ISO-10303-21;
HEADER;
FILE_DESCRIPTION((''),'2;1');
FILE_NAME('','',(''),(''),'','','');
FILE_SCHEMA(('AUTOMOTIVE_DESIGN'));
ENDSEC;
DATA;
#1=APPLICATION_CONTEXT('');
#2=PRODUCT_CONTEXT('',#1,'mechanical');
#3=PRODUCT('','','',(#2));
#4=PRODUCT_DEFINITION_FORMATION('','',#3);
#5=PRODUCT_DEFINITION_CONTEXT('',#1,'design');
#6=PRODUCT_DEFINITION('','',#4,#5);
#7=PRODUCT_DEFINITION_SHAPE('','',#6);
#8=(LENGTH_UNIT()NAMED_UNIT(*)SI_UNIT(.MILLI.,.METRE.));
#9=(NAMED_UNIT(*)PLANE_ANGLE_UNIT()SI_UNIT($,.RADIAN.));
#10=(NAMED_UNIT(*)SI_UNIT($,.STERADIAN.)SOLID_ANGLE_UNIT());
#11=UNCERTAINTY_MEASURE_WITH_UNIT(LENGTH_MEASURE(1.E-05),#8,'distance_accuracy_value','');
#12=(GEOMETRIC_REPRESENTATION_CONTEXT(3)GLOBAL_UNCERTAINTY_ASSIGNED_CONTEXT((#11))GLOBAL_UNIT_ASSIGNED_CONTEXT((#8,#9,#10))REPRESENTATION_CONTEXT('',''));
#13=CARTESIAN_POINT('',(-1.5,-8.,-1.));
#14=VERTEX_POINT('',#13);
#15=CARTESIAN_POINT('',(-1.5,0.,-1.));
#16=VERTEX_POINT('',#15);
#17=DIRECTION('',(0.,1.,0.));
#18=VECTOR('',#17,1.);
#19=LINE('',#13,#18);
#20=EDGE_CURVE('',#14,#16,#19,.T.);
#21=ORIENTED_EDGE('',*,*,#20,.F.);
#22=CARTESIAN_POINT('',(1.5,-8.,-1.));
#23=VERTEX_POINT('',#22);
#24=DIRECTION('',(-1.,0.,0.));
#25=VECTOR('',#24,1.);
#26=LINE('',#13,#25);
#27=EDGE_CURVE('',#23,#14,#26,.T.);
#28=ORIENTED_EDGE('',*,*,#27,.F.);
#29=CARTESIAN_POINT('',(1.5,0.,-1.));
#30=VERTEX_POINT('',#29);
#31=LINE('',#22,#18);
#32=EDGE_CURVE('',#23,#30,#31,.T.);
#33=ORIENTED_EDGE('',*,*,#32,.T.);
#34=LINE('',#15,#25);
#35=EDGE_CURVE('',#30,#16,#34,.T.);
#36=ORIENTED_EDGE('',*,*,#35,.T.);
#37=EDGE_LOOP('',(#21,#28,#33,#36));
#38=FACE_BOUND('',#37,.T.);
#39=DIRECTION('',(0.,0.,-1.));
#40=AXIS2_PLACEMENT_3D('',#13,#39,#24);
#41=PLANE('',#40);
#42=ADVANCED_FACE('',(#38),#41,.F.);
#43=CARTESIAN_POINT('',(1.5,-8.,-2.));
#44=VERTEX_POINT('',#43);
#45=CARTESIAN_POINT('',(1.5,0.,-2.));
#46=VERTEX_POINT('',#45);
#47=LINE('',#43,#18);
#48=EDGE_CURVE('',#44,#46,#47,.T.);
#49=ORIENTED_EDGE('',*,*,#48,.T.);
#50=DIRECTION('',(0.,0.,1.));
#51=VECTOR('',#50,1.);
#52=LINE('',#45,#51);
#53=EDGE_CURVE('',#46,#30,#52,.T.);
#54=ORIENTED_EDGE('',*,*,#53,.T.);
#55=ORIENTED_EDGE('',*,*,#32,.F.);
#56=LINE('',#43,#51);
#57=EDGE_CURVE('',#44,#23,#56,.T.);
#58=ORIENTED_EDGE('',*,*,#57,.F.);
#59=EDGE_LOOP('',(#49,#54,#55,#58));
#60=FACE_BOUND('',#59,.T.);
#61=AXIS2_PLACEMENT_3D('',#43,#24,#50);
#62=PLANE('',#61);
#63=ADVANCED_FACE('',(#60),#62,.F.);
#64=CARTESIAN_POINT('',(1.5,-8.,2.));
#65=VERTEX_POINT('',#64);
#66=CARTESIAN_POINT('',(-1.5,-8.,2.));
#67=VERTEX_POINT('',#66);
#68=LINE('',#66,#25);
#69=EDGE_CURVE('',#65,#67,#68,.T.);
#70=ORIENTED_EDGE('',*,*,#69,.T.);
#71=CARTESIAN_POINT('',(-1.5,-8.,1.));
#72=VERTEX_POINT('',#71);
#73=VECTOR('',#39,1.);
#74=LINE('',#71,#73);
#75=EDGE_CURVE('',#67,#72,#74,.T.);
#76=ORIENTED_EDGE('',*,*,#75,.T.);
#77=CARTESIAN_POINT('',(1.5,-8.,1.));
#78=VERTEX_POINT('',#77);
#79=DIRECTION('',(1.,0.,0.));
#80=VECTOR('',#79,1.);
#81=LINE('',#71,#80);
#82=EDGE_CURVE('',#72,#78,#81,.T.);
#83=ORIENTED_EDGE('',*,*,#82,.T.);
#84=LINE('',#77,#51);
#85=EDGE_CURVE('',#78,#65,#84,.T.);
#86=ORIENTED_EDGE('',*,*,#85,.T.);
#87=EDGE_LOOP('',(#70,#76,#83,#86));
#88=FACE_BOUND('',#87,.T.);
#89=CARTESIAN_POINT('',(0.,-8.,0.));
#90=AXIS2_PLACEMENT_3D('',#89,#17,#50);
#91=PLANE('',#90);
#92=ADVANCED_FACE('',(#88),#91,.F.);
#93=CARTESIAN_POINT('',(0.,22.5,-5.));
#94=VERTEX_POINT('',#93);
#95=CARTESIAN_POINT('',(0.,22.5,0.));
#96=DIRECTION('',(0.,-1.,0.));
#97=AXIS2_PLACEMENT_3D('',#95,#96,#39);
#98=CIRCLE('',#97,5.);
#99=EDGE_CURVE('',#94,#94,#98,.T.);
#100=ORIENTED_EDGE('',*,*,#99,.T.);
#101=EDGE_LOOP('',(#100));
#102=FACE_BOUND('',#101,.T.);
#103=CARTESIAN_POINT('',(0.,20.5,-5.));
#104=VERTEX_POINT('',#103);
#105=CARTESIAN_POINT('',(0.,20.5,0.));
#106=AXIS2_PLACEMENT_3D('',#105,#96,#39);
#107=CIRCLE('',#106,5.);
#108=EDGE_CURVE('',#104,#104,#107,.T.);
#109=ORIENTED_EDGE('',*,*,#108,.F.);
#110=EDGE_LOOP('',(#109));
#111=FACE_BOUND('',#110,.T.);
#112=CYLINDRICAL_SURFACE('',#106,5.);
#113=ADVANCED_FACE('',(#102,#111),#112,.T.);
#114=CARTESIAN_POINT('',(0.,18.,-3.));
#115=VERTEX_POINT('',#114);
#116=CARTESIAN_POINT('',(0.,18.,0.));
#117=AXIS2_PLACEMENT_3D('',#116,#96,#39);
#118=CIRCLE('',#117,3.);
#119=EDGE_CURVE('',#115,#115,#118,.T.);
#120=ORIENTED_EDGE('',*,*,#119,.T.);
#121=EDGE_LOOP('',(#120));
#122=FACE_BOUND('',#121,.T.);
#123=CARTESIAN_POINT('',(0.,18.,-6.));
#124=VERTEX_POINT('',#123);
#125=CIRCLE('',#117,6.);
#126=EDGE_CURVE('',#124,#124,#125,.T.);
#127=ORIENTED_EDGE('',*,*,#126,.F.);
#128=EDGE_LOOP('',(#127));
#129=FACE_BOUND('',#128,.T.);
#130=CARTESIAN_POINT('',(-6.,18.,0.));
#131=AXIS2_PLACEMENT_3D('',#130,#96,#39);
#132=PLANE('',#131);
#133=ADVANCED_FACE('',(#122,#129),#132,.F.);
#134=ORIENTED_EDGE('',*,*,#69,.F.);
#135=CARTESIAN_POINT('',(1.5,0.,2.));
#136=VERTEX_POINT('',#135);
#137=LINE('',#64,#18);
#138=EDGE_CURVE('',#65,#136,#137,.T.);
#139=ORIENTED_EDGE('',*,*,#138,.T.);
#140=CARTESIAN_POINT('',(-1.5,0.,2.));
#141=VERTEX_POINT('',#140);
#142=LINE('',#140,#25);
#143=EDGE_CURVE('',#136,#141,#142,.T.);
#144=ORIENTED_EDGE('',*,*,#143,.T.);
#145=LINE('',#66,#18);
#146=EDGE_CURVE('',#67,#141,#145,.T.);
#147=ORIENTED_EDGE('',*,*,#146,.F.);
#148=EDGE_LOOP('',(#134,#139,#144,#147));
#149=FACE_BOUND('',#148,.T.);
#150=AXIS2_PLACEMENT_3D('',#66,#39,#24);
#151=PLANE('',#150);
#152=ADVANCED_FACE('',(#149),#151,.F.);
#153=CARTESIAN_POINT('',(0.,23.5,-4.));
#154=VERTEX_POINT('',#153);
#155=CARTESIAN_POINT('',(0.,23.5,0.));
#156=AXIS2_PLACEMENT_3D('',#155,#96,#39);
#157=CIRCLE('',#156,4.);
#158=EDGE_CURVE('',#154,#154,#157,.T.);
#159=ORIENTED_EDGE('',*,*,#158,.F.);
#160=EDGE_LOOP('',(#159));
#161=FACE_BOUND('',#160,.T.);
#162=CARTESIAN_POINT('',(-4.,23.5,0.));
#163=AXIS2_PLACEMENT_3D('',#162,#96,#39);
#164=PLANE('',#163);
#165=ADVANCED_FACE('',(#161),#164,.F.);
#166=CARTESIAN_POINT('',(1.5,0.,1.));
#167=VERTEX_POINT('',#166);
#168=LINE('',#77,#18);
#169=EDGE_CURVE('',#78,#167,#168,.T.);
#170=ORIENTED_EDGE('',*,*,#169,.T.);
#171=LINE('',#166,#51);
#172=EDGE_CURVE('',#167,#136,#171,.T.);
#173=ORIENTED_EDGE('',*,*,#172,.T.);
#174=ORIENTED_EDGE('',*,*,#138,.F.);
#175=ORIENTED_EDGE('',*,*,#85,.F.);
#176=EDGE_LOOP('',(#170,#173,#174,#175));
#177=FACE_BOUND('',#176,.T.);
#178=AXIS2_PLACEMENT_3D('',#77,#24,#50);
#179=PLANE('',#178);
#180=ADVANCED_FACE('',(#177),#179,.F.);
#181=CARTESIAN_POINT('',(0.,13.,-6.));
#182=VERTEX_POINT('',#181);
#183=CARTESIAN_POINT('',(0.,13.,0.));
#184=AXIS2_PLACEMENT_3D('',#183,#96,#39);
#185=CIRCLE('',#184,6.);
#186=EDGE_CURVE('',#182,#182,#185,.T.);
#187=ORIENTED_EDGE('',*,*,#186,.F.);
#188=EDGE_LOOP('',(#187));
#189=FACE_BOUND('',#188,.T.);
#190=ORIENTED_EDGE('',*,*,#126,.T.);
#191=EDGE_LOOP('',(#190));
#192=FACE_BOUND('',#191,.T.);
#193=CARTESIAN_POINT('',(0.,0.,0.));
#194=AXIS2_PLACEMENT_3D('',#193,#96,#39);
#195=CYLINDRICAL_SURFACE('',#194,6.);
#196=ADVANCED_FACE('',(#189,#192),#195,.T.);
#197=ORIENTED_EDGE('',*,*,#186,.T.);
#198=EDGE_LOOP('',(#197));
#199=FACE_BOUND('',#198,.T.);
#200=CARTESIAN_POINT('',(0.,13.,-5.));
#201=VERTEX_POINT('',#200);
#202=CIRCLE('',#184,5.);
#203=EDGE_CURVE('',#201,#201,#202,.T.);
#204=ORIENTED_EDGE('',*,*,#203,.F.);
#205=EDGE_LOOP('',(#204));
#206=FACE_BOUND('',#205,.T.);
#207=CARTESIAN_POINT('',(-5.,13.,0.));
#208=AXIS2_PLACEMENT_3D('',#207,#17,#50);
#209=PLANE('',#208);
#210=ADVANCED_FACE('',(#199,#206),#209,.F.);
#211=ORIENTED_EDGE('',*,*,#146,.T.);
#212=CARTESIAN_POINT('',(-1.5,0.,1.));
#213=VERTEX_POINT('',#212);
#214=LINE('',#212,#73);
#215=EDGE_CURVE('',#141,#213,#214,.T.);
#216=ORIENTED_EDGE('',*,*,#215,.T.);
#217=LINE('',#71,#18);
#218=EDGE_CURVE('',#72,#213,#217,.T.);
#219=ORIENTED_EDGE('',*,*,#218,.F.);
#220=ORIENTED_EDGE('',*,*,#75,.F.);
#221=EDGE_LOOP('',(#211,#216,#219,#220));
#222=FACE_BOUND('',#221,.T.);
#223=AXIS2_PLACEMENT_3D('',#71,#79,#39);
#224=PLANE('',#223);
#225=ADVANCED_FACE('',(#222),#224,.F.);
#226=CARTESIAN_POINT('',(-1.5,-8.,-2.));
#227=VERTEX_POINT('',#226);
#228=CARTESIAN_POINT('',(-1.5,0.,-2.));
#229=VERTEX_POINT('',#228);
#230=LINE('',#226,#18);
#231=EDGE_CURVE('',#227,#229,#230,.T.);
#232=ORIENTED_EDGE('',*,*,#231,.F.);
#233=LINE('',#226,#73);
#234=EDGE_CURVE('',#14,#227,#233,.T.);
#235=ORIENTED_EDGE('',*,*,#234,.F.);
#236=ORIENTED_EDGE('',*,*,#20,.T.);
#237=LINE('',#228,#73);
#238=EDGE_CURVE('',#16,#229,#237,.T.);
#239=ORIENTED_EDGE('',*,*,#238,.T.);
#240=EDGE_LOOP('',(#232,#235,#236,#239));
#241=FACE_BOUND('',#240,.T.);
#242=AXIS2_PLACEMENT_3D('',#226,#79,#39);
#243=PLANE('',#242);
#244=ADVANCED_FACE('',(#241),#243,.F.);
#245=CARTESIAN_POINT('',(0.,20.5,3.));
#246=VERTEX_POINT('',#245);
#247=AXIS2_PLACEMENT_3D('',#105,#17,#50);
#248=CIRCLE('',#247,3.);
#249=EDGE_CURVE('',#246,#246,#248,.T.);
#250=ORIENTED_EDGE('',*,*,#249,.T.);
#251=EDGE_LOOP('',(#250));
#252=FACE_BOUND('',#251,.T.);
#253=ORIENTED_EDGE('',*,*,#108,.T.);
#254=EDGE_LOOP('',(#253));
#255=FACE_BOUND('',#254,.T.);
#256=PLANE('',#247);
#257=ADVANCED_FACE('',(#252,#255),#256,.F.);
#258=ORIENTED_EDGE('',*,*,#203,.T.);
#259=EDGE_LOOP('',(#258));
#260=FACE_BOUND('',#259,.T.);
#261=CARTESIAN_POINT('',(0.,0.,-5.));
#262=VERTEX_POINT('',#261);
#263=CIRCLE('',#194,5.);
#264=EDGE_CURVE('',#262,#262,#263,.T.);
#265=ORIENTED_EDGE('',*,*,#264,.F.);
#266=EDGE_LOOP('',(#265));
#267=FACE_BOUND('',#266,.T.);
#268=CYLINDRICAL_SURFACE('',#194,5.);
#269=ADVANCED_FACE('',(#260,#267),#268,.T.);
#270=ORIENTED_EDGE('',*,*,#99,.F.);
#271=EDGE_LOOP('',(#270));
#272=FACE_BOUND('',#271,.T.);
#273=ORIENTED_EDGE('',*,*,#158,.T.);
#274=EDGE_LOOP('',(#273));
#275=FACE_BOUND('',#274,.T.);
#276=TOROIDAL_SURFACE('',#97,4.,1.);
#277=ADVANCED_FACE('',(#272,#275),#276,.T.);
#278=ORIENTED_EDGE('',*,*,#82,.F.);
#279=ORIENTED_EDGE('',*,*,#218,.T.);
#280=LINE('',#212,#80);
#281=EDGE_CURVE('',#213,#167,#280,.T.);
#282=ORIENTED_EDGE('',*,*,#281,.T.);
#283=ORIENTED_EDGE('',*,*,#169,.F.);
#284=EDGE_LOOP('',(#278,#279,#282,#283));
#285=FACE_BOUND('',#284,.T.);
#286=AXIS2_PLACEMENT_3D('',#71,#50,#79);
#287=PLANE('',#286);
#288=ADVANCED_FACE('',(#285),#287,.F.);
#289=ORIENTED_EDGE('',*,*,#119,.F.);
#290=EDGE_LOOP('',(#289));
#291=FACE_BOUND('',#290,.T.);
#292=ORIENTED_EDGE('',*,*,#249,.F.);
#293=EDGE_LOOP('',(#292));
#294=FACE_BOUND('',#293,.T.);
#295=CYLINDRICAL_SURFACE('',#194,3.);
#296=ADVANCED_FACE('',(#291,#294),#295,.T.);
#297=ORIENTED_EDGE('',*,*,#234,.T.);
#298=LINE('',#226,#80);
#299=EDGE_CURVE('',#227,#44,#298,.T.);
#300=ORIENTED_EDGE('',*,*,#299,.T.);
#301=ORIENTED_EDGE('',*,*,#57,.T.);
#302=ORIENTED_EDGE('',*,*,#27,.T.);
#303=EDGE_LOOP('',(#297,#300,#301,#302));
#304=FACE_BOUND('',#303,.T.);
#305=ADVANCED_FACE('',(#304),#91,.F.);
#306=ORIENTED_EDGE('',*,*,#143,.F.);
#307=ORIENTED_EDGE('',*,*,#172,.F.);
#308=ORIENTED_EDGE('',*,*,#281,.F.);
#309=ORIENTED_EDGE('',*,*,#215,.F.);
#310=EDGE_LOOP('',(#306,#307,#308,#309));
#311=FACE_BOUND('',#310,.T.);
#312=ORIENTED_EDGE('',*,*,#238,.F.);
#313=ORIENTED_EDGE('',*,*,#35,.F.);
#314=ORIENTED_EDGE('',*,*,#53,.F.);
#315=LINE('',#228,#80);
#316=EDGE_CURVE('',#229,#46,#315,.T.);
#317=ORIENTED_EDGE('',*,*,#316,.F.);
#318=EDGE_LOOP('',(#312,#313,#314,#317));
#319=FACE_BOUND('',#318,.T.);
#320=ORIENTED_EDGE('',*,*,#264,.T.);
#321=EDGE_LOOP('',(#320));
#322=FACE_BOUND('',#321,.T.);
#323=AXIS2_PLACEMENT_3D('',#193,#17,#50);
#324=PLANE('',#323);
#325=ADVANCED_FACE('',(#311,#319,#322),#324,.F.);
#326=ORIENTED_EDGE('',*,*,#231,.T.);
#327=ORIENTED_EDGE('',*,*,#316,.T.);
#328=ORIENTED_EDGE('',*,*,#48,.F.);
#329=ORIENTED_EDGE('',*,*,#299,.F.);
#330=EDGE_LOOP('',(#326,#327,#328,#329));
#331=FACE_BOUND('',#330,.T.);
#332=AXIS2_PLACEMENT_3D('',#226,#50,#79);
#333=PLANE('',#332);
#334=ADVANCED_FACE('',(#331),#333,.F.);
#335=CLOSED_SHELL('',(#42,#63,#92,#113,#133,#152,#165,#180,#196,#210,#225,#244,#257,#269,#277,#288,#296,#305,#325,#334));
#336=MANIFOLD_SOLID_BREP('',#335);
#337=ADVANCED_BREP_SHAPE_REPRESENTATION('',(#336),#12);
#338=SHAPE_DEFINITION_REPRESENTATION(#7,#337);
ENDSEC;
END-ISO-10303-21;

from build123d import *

# Parameters (mm, degrees)
ESQUISSE3_W        = 3
ESQUISSE3_H        = 1
BOSS_EXTRU_1_DEPTH = 8


with BuildPart() as part:
    # Esquisse1 → Révolution1 (revolve)
    with BuildSketch(Plane.XY):
        Polygon((0, 0), (-5, 0), (-5, 13), (-6, 13), (-6, 18), (-3, 18), (-3, 20.5), (0, 20.5), align=None)
    revolve(axis=Axis((0, 0, 0), (0, 1, 0)))

    # Esquisse2 → Révolution2 (revolve)
    with BuildSketch(Plane.XY):
        with BuildLine():
            Line((0, 20.5), (-5, 20.5))
            Line((-5, 20.5), (-5, 22.5))
            ThreePointArc((-5, 22.5), (-4.707106781, 23.207106781), (-4, 23.5))
            Line((-4, 23.5), (0, 23.5))
            Line((0, 23.5), (0, 20.5))
        make_face()
    revolve(axis=Axis((0, 20.5, 0), (0, 1, 0)))

    # Esquisse3 → Boss.-Extru.1 (add)
    with BuildSketch(Plane.XZ):
        with Locations((0, -1.5)):
            Rectangle(ESQUISSE3_W, ESQUISSE3_H)
        with Locations((0, 1.5)):
            Rectangle(ESQUISSE3_W, ESQUISSE3_H)
    extrude(amount=BOSS_EXTRU_1_DEPTH)


solid = part.part
